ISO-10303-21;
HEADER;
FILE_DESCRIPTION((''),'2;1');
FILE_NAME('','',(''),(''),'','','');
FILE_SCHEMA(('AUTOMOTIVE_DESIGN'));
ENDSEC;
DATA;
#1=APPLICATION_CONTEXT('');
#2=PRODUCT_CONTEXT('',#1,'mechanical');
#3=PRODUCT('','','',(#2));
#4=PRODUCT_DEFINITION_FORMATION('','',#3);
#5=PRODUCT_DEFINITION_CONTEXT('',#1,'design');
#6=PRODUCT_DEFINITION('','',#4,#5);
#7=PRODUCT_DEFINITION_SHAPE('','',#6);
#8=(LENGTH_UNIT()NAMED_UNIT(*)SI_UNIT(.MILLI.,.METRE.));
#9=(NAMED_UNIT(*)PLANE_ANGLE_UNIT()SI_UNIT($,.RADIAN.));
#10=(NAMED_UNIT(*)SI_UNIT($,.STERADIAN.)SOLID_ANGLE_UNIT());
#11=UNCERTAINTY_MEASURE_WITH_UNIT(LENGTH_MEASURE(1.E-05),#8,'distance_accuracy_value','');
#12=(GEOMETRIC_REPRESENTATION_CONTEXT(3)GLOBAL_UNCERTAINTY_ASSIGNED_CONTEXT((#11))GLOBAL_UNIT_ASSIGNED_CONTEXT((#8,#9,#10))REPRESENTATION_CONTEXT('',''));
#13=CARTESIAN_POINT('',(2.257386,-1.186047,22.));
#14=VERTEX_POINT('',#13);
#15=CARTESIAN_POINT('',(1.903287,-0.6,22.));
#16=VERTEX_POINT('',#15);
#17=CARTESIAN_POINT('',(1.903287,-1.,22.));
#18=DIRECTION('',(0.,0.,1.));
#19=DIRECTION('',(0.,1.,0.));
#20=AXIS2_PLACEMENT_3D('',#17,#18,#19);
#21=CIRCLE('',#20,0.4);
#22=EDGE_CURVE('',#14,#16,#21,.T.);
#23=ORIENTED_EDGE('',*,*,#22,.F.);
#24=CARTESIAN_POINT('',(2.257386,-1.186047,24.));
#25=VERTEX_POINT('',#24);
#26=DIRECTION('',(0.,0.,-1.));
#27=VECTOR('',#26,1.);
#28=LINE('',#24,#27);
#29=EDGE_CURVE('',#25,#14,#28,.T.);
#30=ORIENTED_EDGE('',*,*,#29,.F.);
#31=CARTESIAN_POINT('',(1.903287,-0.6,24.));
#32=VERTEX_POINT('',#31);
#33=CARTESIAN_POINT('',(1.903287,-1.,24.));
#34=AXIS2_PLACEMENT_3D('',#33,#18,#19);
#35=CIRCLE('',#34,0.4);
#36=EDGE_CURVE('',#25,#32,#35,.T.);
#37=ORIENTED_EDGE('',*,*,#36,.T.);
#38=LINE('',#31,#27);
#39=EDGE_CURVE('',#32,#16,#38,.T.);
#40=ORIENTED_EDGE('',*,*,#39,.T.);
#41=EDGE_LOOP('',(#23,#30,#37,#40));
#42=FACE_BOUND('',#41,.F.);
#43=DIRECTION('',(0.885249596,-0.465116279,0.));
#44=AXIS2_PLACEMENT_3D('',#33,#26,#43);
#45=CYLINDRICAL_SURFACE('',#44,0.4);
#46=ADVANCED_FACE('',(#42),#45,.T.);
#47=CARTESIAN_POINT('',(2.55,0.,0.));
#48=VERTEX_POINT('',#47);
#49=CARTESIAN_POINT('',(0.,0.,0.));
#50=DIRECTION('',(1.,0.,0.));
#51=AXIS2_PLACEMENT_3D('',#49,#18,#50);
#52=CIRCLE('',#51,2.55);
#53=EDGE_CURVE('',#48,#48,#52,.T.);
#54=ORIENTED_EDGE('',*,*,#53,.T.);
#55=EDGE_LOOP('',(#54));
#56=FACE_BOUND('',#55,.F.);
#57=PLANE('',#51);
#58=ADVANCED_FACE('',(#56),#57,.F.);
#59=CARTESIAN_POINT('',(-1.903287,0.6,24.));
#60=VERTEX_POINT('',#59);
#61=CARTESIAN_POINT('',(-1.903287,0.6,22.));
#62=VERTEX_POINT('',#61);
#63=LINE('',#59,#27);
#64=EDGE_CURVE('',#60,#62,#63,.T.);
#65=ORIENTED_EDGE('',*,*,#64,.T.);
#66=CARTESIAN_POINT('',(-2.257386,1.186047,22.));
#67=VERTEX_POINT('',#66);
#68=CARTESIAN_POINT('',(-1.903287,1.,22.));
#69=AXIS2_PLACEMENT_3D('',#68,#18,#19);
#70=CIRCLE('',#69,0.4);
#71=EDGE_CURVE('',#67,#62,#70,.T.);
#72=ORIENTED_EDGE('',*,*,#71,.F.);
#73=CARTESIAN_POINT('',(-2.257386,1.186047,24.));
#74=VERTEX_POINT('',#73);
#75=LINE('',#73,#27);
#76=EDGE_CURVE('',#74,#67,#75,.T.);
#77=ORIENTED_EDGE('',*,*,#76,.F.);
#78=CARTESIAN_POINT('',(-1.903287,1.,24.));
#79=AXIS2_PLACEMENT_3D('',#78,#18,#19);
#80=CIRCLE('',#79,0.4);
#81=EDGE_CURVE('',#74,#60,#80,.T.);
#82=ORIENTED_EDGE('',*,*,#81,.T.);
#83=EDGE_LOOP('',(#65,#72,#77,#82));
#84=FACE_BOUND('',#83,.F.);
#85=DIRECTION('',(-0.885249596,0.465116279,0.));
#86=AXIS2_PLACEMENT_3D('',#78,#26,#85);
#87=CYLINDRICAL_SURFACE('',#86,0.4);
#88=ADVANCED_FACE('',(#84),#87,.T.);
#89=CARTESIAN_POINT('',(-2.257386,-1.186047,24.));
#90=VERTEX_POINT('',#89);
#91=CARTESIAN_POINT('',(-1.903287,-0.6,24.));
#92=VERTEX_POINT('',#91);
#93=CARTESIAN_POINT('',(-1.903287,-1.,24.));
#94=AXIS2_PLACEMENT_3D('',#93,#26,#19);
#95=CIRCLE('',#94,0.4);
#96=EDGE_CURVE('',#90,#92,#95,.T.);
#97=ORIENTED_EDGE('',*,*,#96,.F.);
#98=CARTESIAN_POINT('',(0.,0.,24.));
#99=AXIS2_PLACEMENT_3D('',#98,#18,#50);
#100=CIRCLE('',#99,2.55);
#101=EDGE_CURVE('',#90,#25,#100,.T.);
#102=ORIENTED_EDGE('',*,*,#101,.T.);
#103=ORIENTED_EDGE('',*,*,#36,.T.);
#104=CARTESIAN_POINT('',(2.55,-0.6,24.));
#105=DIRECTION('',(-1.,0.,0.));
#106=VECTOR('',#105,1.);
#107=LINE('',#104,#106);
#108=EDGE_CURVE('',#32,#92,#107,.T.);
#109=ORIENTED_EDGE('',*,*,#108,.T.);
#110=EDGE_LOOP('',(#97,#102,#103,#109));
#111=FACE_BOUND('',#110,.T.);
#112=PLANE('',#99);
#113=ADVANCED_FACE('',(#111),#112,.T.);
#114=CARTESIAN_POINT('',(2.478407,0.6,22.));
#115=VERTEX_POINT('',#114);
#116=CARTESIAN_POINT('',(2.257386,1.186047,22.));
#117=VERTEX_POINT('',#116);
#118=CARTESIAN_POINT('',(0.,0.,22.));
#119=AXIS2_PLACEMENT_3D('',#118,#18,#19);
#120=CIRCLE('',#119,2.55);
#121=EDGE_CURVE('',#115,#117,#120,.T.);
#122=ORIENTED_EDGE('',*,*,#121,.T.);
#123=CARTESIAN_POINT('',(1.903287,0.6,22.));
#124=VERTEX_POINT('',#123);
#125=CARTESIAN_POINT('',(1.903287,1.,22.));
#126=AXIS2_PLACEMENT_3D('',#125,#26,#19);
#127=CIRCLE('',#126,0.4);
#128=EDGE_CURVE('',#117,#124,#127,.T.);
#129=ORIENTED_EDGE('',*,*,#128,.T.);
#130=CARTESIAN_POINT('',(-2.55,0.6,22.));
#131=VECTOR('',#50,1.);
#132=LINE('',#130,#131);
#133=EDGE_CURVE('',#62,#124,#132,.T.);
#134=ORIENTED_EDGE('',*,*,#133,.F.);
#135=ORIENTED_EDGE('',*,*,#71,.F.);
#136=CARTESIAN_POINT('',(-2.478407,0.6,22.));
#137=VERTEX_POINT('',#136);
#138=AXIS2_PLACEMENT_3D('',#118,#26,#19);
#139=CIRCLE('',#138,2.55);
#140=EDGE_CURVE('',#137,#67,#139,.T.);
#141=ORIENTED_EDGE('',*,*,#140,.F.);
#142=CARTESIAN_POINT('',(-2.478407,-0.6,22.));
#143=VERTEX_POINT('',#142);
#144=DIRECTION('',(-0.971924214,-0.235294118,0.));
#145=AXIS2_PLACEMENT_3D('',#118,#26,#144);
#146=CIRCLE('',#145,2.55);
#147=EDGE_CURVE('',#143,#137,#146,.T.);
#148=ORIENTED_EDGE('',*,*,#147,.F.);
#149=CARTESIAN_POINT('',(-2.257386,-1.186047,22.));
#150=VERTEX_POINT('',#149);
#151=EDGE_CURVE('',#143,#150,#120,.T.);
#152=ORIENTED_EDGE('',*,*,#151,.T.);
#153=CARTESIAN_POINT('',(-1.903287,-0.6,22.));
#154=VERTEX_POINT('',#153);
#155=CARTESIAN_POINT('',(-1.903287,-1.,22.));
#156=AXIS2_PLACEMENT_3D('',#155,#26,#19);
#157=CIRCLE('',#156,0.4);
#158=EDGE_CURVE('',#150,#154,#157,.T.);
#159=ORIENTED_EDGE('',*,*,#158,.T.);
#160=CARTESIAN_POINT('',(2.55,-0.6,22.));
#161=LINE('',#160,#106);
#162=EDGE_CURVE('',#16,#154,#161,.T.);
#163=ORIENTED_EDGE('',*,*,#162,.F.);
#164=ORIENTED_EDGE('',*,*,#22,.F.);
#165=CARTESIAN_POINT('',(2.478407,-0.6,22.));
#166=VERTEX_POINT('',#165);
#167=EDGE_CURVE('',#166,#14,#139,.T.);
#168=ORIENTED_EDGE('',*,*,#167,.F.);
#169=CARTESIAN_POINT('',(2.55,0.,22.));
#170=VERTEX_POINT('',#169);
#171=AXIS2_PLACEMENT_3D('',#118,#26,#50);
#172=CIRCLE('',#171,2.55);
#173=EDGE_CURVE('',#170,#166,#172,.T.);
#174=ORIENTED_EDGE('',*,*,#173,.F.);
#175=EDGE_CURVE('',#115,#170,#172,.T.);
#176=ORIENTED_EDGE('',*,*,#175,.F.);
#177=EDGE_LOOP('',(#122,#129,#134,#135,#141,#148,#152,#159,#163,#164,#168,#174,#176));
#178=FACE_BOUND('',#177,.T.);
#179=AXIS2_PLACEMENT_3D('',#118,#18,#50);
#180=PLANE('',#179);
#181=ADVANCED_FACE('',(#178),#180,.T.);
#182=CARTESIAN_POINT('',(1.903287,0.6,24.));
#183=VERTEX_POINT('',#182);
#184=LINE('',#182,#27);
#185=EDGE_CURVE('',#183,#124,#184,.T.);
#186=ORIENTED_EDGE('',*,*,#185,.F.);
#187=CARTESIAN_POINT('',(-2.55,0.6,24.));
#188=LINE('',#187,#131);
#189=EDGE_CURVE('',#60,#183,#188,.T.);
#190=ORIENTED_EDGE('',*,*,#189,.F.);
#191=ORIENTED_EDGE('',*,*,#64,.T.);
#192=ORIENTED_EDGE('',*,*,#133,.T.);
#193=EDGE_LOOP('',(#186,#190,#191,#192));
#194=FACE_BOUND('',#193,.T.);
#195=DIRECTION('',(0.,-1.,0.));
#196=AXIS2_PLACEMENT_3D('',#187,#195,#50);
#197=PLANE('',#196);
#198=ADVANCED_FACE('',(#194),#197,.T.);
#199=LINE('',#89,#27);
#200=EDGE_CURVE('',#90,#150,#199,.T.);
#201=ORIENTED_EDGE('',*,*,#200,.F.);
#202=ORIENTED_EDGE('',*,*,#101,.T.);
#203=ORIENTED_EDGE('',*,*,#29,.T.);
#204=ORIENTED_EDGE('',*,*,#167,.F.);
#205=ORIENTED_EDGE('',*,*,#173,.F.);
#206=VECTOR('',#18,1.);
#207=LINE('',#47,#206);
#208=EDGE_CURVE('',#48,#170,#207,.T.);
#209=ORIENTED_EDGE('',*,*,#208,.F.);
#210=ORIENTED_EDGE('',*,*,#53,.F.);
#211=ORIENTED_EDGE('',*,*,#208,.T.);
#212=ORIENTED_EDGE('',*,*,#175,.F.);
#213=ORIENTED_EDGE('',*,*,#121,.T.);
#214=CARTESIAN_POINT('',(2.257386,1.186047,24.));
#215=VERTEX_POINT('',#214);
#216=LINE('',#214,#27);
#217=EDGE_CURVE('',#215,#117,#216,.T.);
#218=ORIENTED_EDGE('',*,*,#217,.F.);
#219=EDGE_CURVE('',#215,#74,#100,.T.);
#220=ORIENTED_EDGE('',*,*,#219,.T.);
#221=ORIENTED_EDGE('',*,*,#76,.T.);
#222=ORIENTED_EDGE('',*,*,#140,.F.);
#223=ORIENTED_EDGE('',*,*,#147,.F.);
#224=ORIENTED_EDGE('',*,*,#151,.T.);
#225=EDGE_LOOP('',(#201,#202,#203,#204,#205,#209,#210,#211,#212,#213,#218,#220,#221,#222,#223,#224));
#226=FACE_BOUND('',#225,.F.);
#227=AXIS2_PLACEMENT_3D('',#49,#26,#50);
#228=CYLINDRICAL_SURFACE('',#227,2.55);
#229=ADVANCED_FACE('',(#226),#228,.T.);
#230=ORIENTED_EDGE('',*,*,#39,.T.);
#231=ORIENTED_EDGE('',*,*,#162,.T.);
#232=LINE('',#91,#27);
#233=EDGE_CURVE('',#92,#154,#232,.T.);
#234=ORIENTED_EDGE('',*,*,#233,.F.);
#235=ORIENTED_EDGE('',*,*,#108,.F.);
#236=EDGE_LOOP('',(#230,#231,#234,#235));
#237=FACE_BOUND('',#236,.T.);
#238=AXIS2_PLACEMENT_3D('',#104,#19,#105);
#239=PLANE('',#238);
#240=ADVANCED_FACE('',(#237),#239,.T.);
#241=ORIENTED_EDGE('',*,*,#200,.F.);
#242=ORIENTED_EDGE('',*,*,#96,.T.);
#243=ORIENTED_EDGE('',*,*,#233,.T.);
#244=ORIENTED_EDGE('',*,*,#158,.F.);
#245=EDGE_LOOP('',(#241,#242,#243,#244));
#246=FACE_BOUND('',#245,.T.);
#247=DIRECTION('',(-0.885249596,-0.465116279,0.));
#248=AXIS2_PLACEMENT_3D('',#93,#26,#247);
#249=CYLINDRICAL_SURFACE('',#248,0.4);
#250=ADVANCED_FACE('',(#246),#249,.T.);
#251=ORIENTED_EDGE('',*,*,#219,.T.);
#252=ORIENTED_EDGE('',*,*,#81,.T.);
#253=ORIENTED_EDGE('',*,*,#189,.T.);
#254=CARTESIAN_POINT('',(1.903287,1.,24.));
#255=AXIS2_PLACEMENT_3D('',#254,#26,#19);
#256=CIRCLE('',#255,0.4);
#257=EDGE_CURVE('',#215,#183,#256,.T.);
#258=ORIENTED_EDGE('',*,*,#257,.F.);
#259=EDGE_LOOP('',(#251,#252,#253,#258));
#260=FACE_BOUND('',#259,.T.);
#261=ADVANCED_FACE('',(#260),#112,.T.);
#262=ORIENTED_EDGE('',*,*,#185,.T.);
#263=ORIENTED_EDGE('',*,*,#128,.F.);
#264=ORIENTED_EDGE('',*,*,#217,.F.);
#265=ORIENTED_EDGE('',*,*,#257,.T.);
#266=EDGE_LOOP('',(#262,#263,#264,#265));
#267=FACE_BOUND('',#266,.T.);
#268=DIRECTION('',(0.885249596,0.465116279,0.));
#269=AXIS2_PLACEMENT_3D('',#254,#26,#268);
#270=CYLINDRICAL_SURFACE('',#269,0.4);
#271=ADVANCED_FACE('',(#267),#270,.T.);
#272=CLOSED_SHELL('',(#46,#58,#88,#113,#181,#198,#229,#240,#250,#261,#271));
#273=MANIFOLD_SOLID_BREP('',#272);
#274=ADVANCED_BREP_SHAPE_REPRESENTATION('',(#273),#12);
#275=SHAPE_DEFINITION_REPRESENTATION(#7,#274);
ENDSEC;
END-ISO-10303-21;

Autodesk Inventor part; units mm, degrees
ref_plane "YZ Plane" through (0, 0, 0) normal (1, 0, 0) x (0, 1, 0)
ref_plane "XZ Plane" through (0, 0, 0) normal (0, 1, 0) x (-1, 0, 0)
ref_plane "XY Plane" through (0, 0, 0) normal (0, 0, 1) x (1, 0, 0)
sketch "Эскиз1" plane through (0, 0, 0) normal (0, 0, 1) x (1, 0, 0)
  circle A0 centre (0, 0) radius 2.55
  dimension "d0" = 5.1
extrude "Выдавливание1" add sketch "Эскиз1" along normal blind 24
sketch "Эскиз2" plane through (0, 0, 24) normal (0, 0, 1) x (1, 0, 0)
  line L0 (2.55, -0.6) -> (-2.55, -0.6)
  line L1 (-2.55, -0.6) -> (-2.55, 0.6)
  line L2 (-2.55, 0.6) -> (2.55, 0.6)
  line L3 (2.55, 0.6) -> (2.55, -0.6)
  line L4 (2.55, -0.6) -> (-2.55, 0.6) construction
  line L5 (-2.55, -0.6) -> (2.55, 0.6) construction
  circle A0 centre (0, 0) radius 2.55 construction
  point P0 (0, 0)
  dimension "d3" = 1.2
extrude "Выдавливание2" cut sketch "Эскиз2" against normal blind 2
fillet "Сопряжение1" radius 0.4 4 edges at (2.4784, 0.6, 23) (-2.4784, 0.6, 23) (-2.4784, -0.6, 23) (2.4784, -0.6, 23)
properties part number "Шпунтик"
